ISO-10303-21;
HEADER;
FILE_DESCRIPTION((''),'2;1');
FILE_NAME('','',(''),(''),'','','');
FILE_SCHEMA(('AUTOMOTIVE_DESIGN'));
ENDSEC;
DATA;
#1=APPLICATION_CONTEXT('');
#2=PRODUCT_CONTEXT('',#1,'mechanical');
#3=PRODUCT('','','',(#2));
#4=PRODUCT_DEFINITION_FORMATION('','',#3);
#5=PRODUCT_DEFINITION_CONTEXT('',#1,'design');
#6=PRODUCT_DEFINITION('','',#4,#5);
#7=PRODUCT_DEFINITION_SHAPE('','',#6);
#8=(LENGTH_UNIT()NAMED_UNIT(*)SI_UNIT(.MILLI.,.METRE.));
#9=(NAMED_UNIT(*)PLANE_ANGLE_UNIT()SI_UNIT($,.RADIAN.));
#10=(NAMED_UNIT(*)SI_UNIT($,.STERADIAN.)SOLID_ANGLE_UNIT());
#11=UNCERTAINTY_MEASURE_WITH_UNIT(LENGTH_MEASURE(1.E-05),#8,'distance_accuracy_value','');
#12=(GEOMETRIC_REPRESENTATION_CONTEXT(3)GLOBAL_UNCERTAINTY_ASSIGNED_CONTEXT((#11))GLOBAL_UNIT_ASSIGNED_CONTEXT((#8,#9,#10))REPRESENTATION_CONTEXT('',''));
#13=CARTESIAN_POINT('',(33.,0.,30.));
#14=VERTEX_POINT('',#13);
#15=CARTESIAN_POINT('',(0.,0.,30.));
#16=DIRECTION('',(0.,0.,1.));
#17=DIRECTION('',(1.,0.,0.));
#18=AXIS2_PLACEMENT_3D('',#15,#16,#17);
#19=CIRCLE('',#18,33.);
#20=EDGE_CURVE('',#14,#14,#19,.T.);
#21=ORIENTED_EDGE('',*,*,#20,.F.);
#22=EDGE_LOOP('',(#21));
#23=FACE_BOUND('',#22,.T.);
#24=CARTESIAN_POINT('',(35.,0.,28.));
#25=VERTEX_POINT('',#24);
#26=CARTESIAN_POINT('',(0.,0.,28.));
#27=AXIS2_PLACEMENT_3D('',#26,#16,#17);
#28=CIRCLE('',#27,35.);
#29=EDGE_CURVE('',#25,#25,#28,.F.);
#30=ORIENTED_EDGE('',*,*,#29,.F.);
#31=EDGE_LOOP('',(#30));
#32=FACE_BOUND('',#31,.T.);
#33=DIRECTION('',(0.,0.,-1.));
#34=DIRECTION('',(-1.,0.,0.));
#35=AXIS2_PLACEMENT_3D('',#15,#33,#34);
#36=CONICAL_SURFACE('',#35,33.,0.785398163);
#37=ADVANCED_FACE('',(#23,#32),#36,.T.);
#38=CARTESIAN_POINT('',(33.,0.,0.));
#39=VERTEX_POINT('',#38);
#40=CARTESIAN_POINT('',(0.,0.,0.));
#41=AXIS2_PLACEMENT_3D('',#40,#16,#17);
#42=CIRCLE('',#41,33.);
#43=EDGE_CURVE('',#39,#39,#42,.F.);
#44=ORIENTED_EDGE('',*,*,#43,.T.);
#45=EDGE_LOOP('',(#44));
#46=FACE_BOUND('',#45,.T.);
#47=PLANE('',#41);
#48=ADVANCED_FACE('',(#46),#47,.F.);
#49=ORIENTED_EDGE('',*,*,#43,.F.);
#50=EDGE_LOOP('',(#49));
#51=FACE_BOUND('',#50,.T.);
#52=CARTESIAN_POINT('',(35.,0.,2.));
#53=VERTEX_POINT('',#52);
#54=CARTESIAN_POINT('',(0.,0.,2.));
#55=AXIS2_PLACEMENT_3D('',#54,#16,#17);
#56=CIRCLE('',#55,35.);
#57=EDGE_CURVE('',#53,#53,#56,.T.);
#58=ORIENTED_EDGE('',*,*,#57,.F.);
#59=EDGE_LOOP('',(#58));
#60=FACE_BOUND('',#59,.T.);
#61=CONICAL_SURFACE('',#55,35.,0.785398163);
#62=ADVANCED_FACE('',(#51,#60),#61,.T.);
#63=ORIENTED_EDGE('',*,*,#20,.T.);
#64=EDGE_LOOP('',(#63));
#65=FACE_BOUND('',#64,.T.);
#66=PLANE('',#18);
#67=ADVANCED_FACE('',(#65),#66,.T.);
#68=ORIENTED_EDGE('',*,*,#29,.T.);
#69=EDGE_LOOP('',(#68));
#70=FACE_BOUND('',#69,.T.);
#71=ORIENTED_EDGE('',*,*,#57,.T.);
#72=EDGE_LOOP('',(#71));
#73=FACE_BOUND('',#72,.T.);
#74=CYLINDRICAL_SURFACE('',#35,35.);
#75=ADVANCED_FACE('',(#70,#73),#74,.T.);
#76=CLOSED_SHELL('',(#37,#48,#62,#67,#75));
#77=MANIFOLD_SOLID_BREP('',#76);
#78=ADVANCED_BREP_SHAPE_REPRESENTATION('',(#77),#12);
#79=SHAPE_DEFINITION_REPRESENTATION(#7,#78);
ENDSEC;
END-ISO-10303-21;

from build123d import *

# Parameters (mm, degrees)
ESQUISSE1_R      = 35
EXTRUSION1_DEPTH = 30
CHANFREIN1_SIZE  = 2
CHANFREIN2_SIZE  = 2


with BuildPart() as part:
    # Esquisse1 → Extrusion1 (new body)
    with BuildSketch(Plane.XY):
        Circle(ESQUISSE1_R)
    extrude(amount=EXTRUSION1_DEPTH)

    # Chanfrein1
    chanfrein1_edges = [part.edges().sort_by_distance(p)[0] for p in [
        (-35, 0, 30),
    ]]
    chamfer(chanfrein1_edges, length=CHANFREIN1_SIZE)

    # Chanfrein2
    chanfrein2_edges = [part.edges().sort_by_distance(p)[0] for p in [
        (-35, 0, 0),
    ]]
    chamfer(chanfrein2_edges, length=CHANFREIN2_SIZE)


solid = part.part
